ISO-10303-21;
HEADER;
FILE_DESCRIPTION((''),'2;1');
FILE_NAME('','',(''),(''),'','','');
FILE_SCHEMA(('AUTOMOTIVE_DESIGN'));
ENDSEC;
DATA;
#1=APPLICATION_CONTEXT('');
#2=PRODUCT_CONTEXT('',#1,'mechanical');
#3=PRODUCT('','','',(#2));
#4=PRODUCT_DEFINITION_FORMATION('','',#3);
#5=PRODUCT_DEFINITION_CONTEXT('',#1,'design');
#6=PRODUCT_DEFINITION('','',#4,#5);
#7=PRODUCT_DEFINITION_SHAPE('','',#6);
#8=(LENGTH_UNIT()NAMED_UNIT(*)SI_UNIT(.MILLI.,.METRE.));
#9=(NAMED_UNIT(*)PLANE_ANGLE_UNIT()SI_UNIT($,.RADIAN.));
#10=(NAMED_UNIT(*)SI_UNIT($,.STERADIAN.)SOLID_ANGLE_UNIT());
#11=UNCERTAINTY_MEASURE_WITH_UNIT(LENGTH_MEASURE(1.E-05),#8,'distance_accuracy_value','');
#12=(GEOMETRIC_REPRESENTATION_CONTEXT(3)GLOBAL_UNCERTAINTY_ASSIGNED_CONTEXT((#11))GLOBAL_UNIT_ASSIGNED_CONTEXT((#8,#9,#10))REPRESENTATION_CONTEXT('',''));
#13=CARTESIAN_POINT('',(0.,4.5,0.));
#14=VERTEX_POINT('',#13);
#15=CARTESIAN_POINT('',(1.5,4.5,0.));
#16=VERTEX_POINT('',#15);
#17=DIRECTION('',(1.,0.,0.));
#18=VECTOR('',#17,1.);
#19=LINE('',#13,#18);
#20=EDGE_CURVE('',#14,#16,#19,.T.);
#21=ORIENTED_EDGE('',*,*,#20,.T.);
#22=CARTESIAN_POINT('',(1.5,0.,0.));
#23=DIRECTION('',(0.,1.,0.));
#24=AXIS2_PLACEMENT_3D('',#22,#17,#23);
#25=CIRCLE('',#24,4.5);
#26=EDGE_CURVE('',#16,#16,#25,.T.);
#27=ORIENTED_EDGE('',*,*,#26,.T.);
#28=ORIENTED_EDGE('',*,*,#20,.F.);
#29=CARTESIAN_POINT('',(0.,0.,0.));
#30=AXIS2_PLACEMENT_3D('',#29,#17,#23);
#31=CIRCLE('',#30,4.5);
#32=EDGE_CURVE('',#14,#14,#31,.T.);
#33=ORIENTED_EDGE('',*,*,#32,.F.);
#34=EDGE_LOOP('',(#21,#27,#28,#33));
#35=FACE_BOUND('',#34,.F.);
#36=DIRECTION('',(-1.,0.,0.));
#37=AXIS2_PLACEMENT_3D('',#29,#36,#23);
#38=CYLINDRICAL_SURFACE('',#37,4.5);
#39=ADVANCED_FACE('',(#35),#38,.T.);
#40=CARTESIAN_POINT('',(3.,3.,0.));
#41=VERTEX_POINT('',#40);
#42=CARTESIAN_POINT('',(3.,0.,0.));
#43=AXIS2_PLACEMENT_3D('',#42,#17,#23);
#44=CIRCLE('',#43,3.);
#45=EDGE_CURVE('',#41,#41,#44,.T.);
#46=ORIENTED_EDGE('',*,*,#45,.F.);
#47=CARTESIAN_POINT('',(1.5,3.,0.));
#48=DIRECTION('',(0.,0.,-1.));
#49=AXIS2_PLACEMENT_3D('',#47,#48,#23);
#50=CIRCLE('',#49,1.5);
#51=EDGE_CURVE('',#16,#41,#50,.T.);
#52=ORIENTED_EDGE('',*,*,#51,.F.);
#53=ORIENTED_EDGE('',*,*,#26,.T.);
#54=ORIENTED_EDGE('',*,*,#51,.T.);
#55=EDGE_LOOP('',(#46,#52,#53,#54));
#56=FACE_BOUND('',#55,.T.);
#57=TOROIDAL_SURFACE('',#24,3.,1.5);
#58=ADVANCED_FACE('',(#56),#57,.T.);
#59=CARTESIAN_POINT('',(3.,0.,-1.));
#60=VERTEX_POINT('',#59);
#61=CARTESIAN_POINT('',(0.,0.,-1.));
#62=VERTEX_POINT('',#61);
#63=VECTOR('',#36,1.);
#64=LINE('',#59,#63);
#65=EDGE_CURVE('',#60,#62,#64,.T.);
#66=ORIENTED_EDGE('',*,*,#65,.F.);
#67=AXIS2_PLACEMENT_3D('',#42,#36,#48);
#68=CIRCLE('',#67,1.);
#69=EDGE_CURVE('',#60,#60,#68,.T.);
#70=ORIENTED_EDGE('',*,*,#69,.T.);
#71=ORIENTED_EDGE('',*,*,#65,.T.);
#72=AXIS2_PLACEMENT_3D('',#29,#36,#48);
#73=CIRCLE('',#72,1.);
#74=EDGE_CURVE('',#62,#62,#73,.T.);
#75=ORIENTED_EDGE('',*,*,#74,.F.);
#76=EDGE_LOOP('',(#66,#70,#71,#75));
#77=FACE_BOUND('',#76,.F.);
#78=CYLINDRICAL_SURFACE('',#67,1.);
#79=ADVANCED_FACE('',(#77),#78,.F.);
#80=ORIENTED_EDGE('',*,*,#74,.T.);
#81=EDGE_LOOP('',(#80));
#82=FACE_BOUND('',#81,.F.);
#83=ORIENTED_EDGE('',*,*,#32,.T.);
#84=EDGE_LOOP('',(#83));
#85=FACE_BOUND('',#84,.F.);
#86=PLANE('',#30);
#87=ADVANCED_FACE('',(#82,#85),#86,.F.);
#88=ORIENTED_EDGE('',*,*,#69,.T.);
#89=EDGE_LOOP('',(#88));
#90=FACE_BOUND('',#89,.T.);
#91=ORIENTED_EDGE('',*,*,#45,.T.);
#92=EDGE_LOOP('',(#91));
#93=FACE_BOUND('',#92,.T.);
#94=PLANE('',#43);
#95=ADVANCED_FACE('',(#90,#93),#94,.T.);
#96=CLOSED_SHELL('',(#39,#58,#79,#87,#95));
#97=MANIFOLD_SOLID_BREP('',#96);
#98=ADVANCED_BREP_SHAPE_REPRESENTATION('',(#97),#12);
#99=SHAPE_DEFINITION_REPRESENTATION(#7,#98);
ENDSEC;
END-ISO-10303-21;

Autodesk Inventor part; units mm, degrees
ref_plane "YZ Plane" through (0, 0, 0) normal (1, 0, 0) x (0, 1, 0)
ref_plane "XZ Plane" through (0, 0, 0) normal (0, 1, 0) x (-1, 0, 0)
ref_plane "XY Plane" through (0, 0, 0) normal (0, 0, 1) x (1, 0, 0)
sketch "Sketch1" plane through (0, 0, 0) normal (1, 0, 0) x (0, 1, 0)
  circle A0 centre (0, 0) radius 4
  circle A1 centre (0, 0) radius 4.5
  dimension "d0" = 8
  dimension "d1" = 0.5
extrude "Extrusion1" add sketch "Sketch1" along normal blind 3 contours A0 | A1
sketch "Sketch2" plane through (3, 0, 0) normal (1, 0, 0) x (0, 0, -1)
  circle A0 centre (0, 0) radius 4.5 construction
hole "Hole1" at (3, 0, 0) direction (-1, 0, 0) diameter 2 depth 8
fillet "Fillet1" radius 1.5 1 edges at (3, -4.5, 0)
properties part number "_3DPrint"
